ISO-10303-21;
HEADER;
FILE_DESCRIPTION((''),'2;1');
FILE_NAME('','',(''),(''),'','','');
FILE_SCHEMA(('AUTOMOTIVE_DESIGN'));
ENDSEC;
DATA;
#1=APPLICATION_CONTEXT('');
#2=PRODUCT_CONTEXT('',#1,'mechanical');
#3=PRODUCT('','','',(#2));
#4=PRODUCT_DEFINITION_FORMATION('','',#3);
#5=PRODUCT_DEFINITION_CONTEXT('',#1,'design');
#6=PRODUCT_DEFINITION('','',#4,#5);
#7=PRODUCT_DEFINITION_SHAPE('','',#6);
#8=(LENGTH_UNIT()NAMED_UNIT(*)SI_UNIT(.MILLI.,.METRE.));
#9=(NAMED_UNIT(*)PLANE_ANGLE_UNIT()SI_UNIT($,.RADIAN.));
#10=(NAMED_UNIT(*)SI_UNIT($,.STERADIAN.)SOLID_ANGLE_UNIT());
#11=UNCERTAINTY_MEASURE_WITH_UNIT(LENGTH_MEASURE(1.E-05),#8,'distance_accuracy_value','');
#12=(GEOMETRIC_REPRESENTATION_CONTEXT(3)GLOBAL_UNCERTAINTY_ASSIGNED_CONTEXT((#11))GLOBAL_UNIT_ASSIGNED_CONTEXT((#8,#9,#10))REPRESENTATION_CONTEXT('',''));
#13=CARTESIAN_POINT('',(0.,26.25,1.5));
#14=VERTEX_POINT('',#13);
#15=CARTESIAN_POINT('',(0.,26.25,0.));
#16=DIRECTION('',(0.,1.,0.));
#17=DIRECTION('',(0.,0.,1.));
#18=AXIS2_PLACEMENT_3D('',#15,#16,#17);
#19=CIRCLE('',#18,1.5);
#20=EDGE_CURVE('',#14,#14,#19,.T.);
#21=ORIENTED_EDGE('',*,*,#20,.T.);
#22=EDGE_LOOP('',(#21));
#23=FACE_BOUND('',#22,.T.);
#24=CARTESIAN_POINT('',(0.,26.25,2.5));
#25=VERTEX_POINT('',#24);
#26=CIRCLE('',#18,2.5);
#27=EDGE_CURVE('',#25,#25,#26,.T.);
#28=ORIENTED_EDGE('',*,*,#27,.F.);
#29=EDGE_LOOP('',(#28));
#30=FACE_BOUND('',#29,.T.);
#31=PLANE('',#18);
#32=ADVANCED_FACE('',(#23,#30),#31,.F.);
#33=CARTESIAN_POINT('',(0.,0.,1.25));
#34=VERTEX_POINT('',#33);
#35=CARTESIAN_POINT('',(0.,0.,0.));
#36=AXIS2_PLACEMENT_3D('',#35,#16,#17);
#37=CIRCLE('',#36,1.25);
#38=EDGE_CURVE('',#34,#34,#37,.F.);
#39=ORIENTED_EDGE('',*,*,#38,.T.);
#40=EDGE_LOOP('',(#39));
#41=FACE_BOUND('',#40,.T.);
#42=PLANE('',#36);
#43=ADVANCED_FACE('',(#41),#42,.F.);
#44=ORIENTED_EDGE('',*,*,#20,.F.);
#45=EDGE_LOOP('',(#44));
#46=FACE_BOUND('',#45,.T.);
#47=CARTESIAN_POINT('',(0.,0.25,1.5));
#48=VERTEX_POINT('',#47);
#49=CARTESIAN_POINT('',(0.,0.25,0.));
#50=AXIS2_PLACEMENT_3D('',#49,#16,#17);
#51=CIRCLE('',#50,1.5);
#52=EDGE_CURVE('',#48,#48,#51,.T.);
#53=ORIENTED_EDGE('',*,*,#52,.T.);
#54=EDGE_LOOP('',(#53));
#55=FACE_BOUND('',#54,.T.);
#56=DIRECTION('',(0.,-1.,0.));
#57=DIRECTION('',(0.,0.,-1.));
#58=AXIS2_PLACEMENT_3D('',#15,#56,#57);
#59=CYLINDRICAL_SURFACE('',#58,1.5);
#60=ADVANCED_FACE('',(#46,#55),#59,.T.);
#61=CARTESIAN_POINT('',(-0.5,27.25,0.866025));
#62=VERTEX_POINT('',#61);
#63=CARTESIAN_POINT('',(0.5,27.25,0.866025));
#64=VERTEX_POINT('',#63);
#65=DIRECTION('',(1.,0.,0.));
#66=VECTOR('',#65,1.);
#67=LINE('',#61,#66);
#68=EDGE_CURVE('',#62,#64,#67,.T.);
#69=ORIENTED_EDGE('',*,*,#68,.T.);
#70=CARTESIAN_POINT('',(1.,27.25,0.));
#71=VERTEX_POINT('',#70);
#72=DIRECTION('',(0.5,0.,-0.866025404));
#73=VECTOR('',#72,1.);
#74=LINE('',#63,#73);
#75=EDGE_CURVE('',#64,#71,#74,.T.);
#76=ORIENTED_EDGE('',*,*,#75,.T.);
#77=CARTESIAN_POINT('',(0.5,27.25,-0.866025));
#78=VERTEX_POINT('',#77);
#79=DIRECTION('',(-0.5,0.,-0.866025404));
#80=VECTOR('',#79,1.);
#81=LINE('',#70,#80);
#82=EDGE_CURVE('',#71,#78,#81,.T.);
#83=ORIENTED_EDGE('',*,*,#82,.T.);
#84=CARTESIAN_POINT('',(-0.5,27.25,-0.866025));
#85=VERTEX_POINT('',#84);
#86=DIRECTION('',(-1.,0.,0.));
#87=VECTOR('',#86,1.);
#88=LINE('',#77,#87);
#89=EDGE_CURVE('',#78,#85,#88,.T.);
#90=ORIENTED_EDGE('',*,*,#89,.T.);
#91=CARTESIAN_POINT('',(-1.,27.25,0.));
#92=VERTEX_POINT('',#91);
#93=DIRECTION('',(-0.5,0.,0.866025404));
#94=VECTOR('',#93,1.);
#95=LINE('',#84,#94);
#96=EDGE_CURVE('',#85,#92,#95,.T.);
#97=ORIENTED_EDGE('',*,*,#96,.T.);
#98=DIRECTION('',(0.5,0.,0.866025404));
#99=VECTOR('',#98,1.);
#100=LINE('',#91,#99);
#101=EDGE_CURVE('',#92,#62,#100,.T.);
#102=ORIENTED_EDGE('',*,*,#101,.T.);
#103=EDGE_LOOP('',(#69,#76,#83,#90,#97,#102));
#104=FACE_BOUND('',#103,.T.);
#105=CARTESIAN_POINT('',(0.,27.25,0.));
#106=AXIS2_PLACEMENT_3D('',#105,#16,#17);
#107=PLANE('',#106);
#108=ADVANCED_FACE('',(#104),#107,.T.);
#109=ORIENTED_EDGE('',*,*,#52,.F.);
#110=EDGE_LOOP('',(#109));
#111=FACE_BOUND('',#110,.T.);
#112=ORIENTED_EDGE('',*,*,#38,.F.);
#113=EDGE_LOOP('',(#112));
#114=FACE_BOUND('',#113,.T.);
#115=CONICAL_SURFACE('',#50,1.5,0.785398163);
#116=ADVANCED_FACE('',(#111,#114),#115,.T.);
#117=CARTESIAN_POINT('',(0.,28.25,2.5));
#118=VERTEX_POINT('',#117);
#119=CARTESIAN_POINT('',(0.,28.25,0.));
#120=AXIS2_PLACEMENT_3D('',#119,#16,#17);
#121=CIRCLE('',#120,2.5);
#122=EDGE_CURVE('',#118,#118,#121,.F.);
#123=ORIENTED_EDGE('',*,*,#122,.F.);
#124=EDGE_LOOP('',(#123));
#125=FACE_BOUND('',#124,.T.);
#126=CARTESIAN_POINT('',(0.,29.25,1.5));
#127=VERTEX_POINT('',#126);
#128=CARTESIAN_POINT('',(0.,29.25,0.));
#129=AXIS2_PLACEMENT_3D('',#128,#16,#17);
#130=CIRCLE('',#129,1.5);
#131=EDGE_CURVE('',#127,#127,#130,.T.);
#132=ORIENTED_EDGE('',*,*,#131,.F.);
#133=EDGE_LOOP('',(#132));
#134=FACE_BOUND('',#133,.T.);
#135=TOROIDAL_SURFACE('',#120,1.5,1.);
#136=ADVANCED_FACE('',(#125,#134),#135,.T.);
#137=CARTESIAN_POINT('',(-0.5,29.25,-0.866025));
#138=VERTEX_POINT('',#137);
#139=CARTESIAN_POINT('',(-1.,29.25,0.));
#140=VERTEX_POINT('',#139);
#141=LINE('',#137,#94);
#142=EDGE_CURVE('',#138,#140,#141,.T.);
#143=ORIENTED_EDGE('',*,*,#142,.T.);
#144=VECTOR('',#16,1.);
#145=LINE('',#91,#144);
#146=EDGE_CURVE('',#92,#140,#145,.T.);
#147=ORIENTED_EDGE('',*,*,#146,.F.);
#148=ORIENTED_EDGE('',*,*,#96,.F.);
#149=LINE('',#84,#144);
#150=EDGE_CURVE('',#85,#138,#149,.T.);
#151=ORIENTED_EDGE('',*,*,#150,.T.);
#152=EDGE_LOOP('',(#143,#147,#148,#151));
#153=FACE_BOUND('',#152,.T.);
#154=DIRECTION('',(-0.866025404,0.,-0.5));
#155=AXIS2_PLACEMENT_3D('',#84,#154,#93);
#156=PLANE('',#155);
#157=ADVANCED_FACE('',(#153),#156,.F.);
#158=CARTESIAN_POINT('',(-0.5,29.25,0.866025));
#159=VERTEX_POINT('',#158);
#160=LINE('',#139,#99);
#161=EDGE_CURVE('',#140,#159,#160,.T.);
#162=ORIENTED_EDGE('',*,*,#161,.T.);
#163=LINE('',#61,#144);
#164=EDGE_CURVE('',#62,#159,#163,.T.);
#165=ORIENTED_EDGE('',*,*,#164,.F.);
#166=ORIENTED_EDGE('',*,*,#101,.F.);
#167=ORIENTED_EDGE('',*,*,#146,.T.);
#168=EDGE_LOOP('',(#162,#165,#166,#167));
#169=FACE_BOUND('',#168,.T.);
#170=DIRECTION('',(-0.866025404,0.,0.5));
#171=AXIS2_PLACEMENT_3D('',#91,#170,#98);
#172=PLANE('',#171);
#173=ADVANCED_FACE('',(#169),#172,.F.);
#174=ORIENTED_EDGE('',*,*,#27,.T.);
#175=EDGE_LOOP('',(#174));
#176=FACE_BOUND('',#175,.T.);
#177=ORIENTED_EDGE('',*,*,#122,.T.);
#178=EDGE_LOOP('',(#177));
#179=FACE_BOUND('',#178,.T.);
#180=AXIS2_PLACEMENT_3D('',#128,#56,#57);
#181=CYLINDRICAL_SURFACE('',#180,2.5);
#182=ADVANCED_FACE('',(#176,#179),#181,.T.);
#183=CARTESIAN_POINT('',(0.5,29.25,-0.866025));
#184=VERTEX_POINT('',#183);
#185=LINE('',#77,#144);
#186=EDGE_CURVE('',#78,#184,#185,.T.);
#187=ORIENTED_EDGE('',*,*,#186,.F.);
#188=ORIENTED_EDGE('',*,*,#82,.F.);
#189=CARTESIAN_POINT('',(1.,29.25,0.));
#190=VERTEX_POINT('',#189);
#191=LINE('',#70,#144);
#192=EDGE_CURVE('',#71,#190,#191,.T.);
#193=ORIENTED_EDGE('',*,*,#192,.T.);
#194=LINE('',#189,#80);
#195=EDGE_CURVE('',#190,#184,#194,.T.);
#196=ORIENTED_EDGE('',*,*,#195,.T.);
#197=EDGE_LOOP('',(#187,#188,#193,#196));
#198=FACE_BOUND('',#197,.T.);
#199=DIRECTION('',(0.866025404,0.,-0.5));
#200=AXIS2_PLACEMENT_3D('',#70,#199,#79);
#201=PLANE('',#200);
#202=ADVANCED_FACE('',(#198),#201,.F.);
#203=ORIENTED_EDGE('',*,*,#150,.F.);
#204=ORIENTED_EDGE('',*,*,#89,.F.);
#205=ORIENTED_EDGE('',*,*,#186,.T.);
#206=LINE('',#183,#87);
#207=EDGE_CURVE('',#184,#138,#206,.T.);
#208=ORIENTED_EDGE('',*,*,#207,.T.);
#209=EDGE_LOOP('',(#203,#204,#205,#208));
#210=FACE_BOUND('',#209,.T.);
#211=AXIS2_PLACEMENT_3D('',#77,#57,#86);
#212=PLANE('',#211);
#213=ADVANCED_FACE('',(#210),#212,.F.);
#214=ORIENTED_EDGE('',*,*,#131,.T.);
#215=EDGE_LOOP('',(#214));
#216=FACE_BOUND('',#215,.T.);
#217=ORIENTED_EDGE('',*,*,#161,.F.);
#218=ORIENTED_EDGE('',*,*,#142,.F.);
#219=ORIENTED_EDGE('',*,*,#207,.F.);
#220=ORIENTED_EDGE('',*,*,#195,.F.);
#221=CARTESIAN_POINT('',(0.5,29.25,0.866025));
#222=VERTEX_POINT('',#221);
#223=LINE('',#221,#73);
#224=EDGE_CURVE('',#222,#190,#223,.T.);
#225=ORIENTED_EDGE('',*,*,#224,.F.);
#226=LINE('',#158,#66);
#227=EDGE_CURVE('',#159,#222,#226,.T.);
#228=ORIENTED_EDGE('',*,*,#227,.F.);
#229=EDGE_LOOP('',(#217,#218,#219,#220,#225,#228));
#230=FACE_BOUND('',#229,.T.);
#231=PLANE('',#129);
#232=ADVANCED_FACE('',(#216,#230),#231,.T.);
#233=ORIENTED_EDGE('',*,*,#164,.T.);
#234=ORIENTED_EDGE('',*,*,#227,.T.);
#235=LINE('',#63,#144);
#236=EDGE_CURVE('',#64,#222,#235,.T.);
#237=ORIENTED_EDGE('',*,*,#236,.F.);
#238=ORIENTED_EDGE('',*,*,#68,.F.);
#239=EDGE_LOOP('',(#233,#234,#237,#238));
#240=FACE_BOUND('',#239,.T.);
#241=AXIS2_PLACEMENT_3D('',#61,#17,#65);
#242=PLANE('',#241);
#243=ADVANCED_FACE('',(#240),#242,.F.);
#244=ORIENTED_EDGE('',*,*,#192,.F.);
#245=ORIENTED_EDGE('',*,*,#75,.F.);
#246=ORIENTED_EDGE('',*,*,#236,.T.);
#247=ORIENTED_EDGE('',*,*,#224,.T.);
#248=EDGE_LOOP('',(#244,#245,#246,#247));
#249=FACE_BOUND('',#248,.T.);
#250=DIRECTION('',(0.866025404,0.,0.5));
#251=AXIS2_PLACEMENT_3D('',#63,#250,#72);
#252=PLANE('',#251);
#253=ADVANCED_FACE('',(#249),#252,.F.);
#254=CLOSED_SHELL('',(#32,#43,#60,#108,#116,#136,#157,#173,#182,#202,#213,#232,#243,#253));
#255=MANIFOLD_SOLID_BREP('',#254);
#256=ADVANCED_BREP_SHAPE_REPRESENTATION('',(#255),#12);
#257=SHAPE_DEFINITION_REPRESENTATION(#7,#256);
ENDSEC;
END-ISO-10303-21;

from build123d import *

# Parameters (mm, degrees)
SKETCH1_R           = 1.5
BOSS_EXTRUDE1_DEPTH = 26.25
SKETCH2_R           = 2.5
BOSS_EXTRUDE2_DEPTH = 3
FILLET1_R           = 1
CHAMFER1_SIZE       = 0.25
CUT_EXTRUDE1_DEPTH  = 2


with BuildPart() as part:
    # Sketch1 → Boss-Extrude1 (new body)
    with BuildSketch(Plane(origin=(0, 0, 0), x_dir=(1, 0, 0), z_dir=(0, 1, 0))):
        with Locations(Location((0, 0, 0), (0, 0, 270))):
            Circle(SKETCH1_R)
    extrude(amount=BOSS_EXTRUDE1_DEPTH)

    # Sketch2 → Boss-Extrude2 (add)
    with BuildSketch(Plane(origin=(0, 26.25, 0), x_dir=(1, 0, 0), z_dir=(0, 1, 0))):
        with Locations(Location((0, 0, 0), (0, 0, 270))):
            Circle(SKETCH2_R)
    extrude(amount=BOSS_EXTRUDE2_DEPTH)

    # Fillet1
    fillet1_edges = [part.edges().sort_by_distance(p)[0] for p in [
        (0, 29.25, -2.5),
    ]]
    fillet(fillet1_edges, radius=FILLET1_R)

    # Chamfer1
    chamfer1_edges = [part.edges().sort_by_distance(p)[0] for p in [
        (0, 0, -1.5),
    ]]
    chamfer(chamfer1_edges, length=CHAMFER1_SIZE)

    # Sketch3 → Cut-Extrude1 (cut)
    with BuildSketch(Plane(origin=(0, 29.25, 0), x_dir=(1, 0, 0), z_dir=(0, 1, 0))):
        Polygon((-1, 0), (-0.5, -0.866025404), (0.5, -0.866025404), (1, 0), (0.5, 0.866025404), (-0.5, 0.866025404), align=None)
    extrude(amount=-CUT_EXTRUDE1_DEPTH, mode=Mode.SUBTRACT)


solid = part.part
